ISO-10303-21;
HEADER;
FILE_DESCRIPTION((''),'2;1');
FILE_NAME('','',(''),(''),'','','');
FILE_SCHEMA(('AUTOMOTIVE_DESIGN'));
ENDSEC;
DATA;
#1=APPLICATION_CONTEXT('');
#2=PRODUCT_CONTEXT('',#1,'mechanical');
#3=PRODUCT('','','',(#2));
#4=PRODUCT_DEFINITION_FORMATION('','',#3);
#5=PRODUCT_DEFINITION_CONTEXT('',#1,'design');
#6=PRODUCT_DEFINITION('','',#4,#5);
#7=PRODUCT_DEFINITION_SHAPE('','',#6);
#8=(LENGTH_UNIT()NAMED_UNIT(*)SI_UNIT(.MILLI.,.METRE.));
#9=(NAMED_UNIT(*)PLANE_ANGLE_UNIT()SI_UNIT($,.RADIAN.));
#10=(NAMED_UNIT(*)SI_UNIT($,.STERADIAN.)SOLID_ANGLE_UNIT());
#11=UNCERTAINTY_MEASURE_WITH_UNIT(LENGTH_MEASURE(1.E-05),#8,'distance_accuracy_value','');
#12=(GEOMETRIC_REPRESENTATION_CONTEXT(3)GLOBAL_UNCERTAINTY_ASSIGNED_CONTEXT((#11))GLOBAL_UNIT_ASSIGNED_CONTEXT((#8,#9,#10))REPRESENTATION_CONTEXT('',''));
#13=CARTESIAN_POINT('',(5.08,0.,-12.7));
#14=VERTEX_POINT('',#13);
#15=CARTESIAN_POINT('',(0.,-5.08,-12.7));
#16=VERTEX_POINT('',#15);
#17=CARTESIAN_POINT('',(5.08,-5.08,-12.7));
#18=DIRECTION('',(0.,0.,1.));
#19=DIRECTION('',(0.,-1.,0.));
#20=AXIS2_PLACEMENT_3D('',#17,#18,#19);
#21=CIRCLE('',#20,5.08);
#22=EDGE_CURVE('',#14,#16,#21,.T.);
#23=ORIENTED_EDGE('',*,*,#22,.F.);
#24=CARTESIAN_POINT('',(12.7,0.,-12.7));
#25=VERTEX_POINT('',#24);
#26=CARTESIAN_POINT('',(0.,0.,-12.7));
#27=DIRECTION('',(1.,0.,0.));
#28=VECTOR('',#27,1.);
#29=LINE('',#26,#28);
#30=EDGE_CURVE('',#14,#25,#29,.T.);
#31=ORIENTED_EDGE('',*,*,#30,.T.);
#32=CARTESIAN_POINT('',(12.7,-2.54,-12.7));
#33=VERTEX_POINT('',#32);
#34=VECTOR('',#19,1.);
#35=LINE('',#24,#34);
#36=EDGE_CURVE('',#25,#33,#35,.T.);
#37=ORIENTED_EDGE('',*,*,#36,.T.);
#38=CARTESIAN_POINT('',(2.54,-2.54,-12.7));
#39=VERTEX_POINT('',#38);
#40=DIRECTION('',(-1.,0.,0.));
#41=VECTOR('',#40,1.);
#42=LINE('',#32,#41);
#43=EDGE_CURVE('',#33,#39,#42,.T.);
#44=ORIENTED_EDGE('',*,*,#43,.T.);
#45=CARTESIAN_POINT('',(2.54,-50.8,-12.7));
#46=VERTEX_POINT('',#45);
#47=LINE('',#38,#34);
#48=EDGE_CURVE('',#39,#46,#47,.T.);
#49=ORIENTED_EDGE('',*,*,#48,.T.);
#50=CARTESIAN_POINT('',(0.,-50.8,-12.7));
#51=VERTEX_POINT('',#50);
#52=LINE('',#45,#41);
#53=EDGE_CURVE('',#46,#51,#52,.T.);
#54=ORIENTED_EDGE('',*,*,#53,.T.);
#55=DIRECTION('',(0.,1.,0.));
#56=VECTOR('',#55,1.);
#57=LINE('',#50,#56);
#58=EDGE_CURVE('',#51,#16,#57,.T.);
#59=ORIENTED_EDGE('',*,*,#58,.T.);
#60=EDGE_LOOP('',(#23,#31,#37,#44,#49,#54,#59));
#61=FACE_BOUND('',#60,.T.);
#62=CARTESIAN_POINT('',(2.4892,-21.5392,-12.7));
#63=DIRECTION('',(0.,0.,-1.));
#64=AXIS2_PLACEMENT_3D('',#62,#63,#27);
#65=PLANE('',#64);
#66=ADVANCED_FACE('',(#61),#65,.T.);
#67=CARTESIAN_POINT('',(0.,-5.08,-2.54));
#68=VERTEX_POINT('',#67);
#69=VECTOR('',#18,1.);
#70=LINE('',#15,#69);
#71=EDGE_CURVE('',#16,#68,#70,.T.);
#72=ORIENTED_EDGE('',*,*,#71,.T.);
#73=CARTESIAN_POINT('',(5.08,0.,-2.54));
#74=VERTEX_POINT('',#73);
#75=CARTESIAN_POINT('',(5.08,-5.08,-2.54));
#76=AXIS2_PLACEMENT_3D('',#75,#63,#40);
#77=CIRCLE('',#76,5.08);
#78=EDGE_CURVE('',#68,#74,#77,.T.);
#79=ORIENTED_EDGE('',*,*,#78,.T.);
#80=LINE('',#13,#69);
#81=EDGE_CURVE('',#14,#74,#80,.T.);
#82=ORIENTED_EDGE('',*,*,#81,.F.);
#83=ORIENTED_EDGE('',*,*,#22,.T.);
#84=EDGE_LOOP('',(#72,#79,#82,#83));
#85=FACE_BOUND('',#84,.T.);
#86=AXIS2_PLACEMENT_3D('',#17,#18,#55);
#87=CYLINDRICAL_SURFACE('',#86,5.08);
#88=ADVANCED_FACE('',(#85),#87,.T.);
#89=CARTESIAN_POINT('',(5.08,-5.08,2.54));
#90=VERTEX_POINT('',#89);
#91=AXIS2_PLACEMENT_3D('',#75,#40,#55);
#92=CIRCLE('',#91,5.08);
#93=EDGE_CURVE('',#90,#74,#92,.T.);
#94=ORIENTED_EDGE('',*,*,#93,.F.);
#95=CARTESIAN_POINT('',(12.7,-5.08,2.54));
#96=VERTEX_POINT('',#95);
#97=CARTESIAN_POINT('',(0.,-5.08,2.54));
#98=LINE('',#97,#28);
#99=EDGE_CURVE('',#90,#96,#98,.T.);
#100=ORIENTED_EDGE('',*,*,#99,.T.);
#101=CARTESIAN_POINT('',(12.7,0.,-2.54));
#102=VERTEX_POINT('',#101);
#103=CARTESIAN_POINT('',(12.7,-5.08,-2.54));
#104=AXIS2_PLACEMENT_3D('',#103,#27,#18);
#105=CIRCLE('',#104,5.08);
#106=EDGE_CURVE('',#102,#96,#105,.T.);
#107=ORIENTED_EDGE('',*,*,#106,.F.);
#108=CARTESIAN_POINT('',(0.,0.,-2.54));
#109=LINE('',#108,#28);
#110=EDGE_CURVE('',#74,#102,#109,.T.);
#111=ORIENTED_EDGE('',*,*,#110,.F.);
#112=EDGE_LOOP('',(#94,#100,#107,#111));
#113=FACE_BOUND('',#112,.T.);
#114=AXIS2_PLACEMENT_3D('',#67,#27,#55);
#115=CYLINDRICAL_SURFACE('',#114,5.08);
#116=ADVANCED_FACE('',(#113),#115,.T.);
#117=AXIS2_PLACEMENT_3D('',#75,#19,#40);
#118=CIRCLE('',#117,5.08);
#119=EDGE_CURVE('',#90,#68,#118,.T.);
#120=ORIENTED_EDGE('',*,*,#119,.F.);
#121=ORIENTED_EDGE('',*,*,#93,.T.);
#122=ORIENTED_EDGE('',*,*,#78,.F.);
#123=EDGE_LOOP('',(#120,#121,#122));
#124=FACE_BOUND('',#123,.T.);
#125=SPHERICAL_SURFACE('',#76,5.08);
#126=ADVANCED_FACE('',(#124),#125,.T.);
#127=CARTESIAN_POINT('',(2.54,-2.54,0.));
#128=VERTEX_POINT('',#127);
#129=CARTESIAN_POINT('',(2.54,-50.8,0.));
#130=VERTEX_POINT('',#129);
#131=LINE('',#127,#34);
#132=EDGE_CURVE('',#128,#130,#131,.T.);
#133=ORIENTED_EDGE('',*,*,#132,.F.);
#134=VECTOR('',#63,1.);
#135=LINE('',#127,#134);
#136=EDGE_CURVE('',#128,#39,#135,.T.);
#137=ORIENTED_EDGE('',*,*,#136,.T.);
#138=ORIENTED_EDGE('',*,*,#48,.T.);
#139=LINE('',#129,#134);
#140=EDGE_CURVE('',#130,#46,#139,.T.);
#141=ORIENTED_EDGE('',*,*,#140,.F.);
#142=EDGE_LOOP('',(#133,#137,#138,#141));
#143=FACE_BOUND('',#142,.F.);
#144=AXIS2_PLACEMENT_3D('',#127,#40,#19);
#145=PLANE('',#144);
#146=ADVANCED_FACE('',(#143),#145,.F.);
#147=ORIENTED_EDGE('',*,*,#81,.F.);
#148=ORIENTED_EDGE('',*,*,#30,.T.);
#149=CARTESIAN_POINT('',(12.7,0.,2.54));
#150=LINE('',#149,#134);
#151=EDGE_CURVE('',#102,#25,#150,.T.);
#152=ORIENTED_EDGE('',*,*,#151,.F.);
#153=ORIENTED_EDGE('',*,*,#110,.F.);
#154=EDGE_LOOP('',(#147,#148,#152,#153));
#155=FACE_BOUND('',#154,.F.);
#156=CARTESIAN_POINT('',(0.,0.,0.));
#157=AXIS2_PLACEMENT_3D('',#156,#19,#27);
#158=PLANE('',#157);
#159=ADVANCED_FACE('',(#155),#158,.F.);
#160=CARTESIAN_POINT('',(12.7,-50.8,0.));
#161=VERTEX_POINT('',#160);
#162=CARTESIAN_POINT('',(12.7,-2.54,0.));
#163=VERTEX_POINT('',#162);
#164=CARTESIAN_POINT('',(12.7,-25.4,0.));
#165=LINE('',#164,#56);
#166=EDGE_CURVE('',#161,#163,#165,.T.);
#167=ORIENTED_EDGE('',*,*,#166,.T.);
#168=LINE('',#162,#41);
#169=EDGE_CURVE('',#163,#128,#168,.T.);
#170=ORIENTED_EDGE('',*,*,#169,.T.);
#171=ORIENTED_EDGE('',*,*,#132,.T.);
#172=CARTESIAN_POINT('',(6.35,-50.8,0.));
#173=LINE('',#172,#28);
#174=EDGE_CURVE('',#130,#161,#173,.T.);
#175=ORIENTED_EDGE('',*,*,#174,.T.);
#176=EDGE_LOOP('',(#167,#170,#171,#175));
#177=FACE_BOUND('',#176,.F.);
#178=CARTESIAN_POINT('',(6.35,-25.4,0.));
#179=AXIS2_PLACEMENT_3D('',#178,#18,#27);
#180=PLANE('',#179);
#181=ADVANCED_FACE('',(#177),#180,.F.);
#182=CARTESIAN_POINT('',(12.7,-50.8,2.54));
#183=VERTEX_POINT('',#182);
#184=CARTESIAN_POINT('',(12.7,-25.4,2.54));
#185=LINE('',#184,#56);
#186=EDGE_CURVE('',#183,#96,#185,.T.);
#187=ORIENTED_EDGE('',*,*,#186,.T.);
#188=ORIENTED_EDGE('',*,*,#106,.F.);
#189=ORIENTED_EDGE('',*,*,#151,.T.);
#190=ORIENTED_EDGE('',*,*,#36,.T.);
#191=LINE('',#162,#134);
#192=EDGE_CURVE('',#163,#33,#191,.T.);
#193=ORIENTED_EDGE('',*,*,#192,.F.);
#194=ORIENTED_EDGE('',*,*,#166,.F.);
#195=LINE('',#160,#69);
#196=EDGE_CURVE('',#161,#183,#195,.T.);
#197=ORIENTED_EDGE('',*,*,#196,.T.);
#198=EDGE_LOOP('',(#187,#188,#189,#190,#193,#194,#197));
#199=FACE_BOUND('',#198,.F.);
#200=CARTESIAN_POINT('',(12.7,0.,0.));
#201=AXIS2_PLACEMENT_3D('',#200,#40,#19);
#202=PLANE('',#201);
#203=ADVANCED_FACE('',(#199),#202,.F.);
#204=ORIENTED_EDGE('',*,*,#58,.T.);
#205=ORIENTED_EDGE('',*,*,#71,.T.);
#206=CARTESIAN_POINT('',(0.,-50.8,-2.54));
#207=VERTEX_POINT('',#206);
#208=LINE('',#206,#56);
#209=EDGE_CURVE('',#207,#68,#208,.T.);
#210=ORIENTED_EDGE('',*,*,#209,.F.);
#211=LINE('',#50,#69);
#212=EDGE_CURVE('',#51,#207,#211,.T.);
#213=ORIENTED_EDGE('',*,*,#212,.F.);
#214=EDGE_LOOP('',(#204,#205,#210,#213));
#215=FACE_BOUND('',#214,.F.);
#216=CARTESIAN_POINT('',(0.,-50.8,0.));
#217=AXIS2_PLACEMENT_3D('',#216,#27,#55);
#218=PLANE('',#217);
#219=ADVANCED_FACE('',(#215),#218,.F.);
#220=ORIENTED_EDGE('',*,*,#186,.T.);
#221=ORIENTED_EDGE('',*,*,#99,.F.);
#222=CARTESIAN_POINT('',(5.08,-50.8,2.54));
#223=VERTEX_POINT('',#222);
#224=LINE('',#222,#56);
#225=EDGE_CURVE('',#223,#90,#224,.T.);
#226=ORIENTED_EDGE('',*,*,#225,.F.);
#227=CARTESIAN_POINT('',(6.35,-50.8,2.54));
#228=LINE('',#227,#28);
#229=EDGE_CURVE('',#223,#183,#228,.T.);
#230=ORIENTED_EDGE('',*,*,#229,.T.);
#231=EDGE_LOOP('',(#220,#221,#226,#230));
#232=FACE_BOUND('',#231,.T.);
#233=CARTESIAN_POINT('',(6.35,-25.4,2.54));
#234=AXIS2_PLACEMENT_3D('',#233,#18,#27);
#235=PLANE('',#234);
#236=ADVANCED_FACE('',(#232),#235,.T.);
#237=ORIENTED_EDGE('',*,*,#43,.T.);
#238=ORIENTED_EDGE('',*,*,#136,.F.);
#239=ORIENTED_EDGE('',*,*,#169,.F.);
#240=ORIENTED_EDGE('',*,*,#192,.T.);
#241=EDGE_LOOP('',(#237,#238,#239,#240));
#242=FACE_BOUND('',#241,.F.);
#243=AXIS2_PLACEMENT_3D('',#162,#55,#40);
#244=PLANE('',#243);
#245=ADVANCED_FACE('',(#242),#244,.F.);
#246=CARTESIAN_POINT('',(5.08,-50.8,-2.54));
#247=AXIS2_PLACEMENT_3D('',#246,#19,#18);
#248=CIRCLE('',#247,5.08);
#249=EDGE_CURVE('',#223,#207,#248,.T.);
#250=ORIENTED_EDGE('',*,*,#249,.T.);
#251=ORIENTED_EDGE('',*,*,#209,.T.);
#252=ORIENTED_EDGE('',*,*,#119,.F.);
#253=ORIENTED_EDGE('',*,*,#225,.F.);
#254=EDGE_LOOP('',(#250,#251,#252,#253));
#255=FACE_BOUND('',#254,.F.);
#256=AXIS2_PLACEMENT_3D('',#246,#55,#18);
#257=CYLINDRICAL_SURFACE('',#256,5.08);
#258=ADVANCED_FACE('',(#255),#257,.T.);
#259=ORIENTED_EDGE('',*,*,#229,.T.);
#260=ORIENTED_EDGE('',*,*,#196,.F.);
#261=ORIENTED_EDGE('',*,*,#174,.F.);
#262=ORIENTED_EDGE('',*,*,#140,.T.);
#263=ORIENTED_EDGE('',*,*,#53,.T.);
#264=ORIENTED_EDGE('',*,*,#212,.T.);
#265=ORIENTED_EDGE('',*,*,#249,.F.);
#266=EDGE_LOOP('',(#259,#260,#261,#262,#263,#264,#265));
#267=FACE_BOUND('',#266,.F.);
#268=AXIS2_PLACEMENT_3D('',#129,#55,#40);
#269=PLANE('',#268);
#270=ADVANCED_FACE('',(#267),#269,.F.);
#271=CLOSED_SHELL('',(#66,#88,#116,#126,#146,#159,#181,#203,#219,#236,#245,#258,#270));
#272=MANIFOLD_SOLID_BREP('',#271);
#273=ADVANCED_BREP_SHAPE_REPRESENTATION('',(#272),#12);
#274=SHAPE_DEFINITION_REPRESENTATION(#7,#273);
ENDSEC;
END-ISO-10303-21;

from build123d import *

# Parameters (mm, degrees)
F0_W     = 12.7
F0_H     = 50.8
F1_DEPTH = 2.54
F3_DEPTH = 12.7
F4_R     = 5.08


with BuildPart() as f1:
    # F0 (on Top) → F1 (new body)
    with BuildSketch(Plane.XY):
        with Locations((6.35, -25.4)):
            Rectangle(F0_W, F0_H)
    extrude(amount=F1_DEPTH)

    # F2 (on face) → F3 (join)
    with BuildSketch(Plane(origin=(0, 0, 0), x_dir=(1, 0, 0), z_dir=(0, 0, -1))):
        Polygon((0, 0), (12.7, 0), (12.7, 2.54), (2.54, 2.54), (2.54, 50.8), (0, 50.8), align=None)
    extrude(amount=F3_DEPTH)

    # F4
    f4_edges = [f1.edges().sort_by_distance(p)[0] for p in [
        (0, 0, -5.08),
        (0, -25.4, 2.54),
        (6.35, 0, 2.54),
    ]]
    fillet(f4_edges, radius=F4_R)


solid = f1.part
